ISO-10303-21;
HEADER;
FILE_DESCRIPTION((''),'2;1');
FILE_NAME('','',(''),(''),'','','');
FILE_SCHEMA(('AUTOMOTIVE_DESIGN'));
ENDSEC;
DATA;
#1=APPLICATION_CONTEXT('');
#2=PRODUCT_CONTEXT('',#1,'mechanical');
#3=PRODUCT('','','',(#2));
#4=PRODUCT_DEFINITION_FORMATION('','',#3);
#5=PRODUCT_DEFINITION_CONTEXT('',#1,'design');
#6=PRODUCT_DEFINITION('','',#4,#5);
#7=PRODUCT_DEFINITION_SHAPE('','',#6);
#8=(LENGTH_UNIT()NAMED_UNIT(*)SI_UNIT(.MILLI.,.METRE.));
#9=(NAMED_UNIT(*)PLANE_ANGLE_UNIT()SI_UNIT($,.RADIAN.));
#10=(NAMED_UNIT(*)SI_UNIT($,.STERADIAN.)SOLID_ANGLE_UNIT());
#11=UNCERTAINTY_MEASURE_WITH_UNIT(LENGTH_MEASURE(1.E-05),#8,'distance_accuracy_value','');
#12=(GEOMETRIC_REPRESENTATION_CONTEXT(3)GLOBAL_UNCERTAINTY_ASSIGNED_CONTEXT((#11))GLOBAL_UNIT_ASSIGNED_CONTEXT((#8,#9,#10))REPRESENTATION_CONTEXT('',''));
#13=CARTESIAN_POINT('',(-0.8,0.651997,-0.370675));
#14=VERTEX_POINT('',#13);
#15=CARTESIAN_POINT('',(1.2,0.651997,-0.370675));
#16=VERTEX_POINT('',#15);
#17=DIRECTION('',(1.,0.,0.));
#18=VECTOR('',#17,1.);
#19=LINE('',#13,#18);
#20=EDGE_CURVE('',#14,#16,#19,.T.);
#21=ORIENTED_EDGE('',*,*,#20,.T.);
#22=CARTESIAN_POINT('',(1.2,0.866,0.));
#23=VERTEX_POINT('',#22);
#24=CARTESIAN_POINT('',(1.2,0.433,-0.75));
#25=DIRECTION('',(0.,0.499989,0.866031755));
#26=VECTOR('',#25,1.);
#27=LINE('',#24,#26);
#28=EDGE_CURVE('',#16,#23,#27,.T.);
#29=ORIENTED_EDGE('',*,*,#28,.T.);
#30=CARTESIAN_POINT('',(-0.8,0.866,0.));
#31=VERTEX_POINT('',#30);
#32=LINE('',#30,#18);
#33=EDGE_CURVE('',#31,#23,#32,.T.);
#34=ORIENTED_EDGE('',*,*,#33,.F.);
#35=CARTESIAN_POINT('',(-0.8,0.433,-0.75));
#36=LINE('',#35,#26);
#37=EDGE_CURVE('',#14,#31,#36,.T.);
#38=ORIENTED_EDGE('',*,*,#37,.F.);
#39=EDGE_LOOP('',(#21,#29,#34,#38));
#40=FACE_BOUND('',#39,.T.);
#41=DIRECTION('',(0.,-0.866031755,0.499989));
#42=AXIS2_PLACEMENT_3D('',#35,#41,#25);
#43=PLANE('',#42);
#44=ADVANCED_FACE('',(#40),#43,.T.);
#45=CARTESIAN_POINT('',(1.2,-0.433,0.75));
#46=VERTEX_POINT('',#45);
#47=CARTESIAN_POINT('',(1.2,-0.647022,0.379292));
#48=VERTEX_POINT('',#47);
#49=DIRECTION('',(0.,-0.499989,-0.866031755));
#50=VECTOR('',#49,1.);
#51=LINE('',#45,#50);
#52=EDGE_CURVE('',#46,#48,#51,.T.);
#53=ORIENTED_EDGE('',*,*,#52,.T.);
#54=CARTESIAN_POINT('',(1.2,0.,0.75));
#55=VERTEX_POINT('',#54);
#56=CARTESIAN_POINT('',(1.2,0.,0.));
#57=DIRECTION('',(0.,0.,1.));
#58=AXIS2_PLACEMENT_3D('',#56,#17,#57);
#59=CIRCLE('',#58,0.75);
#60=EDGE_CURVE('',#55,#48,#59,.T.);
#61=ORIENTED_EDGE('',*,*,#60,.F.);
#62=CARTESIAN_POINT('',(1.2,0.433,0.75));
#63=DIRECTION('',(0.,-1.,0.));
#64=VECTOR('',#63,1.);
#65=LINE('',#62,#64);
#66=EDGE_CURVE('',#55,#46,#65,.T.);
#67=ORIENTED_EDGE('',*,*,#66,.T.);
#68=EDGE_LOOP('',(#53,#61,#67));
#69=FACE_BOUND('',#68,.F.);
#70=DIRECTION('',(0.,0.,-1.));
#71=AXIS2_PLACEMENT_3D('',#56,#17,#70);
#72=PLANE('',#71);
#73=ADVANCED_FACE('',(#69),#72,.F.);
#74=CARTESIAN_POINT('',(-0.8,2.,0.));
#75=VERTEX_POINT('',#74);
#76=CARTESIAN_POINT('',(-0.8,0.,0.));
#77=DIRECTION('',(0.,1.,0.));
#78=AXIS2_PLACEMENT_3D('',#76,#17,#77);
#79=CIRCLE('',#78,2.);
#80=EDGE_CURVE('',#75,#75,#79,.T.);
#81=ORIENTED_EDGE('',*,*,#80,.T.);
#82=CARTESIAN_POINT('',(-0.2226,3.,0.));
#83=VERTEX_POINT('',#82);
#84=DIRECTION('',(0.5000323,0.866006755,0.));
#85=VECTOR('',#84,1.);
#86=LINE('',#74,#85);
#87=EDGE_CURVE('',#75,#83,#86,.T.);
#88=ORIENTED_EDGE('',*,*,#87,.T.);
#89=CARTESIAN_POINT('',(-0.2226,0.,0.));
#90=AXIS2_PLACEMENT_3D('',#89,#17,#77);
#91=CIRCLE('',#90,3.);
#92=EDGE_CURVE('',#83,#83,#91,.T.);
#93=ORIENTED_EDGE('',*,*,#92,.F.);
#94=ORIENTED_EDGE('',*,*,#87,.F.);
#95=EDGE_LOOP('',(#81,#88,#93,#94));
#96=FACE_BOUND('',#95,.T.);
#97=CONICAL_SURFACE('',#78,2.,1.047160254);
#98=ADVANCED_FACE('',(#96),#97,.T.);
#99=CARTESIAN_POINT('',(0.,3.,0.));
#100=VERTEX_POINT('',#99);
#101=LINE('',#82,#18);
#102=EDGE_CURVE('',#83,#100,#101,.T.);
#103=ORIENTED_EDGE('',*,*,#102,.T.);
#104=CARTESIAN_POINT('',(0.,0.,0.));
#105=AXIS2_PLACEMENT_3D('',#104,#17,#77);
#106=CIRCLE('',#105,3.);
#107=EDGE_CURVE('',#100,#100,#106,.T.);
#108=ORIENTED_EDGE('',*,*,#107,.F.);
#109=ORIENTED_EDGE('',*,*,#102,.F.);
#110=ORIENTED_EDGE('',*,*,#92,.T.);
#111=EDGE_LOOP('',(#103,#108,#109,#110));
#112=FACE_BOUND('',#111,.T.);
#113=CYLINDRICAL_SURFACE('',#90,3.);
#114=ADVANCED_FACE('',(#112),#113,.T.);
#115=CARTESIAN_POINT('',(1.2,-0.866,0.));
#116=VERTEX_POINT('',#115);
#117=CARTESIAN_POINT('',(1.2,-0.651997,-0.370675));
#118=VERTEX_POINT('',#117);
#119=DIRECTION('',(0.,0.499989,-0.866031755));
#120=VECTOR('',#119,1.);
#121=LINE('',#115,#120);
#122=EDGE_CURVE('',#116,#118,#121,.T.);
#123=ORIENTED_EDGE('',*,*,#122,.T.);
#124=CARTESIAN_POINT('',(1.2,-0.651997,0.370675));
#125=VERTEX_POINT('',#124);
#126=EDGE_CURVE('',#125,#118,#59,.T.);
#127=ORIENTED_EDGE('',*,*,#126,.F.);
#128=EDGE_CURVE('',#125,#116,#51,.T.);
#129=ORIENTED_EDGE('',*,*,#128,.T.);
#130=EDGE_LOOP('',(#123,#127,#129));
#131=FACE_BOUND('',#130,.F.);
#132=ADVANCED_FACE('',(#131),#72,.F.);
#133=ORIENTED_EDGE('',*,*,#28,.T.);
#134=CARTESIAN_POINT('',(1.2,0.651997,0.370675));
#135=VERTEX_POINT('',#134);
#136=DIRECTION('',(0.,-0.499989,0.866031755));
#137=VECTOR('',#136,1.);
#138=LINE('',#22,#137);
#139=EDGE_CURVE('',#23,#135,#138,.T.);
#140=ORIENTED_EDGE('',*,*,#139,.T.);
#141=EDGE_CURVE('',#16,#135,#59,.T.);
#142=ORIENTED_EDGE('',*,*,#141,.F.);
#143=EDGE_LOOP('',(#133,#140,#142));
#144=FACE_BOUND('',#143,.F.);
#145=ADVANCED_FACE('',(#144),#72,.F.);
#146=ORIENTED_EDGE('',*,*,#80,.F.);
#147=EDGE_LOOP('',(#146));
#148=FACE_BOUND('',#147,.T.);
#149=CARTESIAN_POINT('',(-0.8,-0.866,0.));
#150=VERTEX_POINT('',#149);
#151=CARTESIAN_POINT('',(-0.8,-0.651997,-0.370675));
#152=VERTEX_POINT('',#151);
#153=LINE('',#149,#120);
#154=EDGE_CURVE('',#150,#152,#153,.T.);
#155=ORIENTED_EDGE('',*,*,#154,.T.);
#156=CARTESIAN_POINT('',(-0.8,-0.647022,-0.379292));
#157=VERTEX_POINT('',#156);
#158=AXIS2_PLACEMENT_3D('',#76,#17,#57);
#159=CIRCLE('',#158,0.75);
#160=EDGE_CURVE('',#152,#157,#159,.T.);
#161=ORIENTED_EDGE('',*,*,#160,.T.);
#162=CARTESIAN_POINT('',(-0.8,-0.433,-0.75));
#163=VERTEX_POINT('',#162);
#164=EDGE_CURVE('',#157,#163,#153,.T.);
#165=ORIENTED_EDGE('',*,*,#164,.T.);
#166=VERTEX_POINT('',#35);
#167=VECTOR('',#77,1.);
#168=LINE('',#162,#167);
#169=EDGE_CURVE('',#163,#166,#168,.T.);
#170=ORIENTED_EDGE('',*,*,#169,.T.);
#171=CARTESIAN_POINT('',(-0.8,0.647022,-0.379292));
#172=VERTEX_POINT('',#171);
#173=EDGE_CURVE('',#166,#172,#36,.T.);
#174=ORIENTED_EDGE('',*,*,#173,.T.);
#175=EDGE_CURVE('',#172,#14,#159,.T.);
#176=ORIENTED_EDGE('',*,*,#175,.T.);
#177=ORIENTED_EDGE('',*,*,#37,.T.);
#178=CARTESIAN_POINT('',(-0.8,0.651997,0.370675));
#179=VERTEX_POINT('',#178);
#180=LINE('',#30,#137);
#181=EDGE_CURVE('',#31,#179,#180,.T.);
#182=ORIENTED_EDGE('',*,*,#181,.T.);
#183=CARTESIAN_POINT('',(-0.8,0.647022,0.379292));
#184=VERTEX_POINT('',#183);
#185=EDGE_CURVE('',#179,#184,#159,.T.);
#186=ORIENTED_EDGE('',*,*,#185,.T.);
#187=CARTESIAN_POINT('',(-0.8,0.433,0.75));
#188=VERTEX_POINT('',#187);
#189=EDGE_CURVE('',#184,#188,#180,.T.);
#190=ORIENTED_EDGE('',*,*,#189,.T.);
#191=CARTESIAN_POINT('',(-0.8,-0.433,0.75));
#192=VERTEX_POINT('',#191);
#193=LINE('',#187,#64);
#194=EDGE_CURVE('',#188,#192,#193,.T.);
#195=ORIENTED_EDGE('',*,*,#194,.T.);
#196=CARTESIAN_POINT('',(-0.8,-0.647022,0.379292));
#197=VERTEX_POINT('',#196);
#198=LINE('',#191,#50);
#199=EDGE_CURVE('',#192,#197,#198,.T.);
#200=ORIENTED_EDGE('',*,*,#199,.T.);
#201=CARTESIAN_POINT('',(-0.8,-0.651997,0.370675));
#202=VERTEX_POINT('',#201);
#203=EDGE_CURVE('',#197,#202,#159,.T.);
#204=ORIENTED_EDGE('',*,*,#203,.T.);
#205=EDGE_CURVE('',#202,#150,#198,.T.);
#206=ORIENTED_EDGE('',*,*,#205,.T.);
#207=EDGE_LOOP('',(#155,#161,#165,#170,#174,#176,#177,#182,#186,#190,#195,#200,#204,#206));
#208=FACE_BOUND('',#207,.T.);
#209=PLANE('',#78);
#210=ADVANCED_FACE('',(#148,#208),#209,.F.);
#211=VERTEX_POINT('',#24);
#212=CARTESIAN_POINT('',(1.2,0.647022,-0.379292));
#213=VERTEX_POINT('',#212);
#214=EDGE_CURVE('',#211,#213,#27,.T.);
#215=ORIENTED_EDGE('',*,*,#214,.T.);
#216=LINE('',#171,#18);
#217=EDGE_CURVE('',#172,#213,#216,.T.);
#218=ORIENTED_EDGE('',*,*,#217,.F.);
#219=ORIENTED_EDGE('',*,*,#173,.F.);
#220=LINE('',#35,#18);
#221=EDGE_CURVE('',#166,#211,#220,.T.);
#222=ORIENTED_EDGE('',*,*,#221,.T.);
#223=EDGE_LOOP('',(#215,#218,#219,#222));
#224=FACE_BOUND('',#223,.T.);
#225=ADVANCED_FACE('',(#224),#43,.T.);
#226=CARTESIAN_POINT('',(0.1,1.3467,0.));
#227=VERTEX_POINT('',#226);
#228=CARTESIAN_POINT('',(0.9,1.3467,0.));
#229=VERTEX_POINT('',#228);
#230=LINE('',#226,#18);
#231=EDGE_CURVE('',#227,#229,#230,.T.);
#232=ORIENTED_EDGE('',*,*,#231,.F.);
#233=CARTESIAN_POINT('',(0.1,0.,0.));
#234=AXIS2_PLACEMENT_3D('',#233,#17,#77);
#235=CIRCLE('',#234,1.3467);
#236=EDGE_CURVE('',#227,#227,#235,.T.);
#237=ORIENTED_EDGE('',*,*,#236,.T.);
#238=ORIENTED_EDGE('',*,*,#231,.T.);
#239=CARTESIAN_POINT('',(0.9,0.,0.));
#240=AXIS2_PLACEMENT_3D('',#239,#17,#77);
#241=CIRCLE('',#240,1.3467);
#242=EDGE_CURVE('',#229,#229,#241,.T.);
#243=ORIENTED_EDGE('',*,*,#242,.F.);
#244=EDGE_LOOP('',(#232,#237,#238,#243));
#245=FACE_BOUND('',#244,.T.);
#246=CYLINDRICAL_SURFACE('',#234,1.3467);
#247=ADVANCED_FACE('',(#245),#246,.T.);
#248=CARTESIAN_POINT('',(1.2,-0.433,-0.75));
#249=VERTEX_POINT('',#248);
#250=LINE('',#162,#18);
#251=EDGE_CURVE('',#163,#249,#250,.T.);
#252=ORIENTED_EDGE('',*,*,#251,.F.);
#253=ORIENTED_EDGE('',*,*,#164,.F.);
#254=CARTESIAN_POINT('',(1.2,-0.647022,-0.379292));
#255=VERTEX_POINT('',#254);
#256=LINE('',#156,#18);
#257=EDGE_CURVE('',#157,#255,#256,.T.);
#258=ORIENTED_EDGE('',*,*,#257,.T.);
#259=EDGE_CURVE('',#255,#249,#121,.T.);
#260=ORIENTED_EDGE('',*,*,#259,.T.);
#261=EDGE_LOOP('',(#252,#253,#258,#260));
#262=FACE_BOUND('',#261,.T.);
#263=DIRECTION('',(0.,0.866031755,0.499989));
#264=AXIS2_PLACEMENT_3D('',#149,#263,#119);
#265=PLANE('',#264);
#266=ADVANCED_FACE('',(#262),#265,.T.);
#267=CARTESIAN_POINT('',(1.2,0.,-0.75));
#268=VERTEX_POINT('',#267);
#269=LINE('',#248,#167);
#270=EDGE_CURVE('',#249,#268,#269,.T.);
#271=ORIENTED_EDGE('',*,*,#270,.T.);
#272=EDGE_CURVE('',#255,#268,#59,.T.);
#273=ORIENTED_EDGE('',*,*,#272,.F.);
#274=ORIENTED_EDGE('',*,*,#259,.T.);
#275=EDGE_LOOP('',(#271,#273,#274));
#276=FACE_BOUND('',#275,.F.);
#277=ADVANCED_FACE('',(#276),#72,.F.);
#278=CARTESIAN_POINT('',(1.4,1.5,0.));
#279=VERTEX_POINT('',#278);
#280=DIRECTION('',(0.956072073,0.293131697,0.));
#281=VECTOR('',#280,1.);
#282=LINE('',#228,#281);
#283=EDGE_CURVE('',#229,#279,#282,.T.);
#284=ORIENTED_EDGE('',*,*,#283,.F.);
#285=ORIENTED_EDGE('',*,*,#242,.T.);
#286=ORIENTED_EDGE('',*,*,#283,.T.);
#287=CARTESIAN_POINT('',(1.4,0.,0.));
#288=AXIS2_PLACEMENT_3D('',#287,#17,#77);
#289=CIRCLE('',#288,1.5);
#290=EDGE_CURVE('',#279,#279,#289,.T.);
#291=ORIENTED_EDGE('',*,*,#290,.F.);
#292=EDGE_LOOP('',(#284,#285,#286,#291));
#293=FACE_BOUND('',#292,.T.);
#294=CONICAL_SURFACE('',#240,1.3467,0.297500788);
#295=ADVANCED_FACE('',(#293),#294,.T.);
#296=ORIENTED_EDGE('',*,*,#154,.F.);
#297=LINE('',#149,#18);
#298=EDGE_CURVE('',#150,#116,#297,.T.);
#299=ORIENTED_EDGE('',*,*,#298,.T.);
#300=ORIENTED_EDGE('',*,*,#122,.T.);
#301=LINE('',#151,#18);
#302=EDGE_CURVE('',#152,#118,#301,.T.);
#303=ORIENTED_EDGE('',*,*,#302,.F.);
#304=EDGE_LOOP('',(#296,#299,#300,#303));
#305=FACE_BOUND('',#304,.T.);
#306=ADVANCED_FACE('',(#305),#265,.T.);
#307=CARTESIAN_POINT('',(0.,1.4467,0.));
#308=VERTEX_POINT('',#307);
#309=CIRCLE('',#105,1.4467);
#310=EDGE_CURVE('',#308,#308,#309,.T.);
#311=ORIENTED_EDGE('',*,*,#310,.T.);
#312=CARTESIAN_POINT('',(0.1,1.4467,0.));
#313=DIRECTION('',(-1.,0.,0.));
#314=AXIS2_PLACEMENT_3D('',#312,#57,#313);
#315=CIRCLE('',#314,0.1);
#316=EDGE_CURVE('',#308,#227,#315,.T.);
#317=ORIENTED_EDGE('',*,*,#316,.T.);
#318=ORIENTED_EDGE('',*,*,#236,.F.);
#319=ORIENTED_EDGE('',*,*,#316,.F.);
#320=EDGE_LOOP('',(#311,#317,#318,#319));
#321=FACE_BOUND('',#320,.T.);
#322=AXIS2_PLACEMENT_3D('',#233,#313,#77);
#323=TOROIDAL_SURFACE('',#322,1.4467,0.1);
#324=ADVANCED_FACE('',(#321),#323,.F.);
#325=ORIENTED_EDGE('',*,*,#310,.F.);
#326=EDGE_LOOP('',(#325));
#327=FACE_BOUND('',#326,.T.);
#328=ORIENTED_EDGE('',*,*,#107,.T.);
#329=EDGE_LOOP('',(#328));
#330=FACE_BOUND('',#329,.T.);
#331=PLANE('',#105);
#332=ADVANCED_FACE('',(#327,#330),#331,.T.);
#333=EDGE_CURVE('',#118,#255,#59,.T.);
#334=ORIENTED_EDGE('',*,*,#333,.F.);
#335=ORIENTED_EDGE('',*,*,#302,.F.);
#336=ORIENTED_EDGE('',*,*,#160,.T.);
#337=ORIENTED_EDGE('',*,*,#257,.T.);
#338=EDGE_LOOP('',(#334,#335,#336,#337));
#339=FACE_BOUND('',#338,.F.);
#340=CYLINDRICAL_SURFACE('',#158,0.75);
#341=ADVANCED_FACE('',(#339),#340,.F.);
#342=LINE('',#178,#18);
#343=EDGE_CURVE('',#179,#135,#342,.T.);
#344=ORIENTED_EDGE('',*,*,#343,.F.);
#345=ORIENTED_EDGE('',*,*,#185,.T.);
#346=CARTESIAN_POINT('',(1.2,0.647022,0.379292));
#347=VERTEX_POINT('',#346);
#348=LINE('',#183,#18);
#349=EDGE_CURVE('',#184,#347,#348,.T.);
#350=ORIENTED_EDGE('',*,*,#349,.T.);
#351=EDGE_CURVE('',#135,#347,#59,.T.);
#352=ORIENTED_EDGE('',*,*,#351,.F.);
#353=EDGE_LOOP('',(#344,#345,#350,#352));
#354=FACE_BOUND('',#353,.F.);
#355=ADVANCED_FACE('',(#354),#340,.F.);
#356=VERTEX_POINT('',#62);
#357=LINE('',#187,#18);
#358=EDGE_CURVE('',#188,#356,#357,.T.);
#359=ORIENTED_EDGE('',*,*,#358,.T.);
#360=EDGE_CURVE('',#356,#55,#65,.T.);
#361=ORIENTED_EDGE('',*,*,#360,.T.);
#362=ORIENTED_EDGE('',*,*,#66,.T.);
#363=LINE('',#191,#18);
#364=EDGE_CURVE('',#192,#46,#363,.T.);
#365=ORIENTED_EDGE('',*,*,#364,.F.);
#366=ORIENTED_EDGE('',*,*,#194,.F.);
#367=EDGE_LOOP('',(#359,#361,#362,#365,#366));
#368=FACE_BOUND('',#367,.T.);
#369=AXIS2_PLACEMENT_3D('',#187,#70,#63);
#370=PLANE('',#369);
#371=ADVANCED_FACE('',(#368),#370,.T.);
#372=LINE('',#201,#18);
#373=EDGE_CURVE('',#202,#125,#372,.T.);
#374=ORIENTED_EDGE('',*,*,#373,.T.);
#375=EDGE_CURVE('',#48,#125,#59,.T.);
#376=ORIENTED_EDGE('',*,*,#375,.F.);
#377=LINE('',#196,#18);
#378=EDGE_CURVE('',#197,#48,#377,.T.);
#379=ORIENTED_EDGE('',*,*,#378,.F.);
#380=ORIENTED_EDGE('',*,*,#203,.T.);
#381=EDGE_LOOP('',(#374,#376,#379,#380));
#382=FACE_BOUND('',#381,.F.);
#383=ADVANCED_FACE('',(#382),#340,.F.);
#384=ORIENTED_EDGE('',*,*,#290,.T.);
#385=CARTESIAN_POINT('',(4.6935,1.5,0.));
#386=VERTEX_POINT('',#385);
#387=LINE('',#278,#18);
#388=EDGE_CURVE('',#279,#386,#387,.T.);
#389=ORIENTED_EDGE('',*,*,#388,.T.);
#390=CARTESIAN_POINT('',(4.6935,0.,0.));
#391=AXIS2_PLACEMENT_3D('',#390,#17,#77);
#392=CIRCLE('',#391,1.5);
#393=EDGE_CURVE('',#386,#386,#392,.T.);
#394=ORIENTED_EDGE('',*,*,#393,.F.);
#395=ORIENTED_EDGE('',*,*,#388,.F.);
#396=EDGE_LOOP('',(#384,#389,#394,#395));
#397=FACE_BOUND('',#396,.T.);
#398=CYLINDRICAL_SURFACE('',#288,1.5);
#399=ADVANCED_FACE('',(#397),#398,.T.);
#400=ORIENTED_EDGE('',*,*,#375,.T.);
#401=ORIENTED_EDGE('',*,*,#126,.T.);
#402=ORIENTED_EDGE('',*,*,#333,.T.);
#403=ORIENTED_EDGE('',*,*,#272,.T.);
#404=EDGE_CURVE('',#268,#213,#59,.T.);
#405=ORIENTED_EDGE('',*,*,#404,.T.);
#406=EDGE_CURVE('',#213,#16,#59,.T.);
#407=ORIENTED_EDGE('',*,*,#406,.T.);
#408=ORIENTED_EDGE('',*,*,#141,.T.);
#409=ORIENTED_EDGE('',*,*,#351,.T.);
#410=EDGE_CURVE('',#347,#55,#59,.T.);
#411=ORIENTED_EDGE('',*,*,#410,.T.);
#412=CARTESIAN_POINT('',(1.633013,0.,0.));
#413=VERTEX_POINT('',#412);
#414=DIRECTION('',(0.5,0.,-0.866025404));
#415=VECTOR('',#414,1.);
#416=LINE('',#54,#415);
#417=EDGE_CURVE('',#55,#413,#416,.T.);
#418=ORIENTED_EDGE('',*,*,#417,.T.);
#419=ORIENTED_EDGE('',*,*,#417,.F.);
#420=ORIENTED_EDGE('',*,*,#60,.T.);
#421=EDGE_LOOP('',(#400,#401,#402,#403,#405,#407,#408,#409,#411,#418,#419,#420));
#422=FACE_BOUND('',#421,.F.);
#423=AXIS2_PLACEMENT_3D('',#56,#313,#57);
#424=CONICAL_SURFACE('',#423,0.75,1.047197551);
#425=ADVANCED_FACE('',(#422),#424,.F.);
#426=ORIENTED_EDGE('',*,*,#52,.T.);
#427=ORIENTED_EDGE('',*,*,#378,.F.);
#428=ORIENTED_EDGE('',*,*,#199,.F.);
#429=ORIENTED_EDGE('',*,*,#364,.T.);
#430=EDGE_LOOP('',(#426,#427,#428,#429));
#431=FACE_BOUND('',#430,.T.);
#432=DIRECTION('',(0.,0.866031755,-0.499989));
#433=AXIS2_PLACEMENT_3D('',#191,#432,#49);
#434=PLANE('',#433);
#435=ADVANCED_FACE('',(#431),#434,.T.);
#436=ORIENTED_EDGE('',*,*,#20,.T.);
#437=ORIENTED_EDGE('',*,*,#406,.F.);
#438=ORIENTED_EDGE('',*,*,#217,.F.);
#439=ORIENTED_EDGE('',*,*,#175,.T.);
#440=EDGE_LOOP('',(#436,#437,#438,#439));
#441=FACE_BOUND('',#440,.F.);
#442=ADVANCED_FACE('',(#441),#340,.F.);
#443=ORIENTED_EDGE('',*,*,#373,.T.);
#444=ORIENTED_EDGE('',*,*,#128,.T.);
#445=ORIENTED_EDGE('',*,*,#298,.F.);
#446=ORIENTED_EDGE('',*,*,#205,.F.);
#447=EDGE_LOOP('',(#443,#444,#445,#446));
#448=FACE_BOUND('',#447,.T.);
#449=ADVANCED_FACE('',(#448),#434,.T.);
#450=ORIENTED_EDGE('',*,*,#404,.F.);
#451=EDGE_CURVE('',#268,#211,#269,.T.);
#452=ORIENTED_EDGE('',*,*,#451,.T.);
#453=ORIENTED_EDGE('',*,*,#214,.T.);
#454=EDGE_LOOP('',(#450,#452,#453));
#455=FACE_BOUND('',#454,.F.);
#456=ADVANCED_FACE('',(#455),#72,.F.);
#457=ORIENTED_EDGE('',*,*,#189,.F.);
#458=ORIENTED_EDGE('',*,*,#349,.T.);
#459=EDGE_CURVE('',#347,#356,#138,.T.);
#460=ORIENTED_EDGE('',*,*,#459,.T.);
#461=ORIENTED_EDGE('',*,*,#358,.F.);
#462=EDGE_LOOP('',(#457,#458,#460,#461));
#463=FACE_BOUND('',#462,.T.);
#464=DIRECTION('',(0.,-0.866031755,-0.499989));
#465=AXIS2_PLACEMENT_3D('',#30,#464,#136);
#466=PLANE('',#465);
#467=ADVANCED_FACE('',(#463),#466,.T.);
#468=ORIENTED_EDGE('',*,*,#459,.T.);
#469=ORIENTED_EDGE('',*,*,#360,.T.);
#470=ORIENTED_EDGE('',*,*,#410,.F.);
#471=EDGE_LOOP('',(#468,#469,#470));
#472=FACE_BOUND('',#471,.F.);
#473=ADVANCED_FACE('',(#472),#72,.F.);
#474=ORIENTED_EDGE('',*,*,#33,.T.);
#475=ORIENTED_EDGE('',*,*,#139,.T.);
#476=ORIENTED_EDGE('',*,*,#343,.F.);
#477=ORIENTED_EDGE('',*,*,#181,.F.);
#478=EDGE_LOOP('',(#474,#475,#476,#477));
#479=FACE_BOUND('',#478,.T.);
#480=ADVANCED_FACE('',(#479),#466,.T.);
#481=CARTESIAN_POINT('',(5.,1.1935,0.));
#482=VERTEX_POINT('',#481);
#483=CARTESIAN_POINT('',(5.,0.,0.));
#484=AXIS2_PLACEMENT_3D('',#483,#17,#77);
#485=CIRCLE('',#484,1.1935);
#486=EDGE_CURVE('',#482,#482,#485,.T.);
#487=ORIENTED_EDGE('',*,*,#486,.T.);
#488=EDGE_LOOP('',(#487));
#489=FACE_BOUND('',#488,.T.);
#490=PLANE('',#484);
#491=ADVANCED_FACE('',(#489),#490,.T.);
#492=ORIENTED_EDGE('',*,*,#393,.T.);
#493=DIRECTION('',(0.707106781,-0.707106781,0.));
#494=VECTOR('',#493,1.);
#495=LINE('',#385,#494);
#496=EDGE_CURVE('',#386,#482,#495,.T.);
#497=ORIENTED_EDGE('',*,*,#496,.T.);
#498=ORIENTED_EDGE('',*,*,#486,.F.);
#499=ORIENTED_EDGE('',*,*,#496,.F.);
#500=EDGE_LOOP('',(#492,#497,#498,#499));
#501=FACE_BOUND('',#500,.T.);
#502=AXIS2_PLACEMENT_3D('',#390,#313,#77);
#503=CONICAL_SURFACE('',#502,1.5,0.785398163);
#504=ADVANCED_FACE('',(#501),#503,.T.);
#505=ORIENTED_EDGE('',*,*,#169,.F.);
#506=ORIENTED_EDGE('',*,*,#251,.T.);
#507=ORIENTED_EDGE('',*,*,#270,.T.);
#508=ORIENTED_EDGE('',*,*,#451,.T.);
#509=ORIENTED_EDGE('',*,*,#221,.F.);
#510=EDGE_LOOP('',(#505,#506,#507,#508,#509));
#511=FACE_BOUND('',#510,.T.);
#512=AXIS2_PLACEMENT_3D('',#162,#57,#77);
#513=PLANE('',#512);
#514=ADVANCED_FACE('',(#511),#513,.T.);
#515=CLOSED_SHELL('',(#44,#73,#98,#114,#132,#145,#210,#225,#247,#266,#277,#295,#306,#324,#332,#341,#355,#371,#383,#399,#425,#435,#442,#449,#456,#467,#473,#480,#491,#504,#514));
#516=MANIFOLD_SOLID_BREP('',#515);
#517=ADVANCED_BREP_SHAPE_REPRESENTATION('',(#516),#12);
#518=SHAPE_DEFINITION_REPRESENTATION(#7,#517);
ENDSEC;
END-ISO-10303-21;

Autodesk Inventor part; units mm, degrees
ref_plane "YZ Plane" through (0, 0, 0) normal (1, 0, 0) x (0, 1, 0)
ref_plane "XZ Plane" through (0, 0, 0) normal (0, 1, 0) x (-1, 0, 0)
ref_plane "XY Plane" through (0, 0, 0) normal (0, 0, 1) x (1, 0, 0)
sketch "Sketch_1" plane through (0, 0, 0) normal (0, 0, 1) x (1, 0, 0)
  line L0 (5, 0) -> (-0.8, 0)
  line L1 (-0.8, 0) -> (-0.8, 2)
  line L2 (-0.8, 2) -> (-0.2226, 3)
  line L3 (-0.2226, 3) -> (0, 3)
  line L4 (0, 3) -> (0, 1.4467)
  arc A0 (0, 1.4467) -> (0.1, 1.3467) centre (0.1, 1.4467) ccw
  line L5 (0.1, 1.3467) -> (0.9, 1.3467)
  line L6 (0.9, 1.3467) -> (1.4, 1.5)
  line L7 (1.4, 1.5) -> (4.6935, 1.5)
  line L8 (4.6935, 1.5) -> (5, 1.1935)
  line L9 (5, 1.1935) -> (5, 0)
  line L10 (5, 0) -> (-0.8, 0)
revolve "Revolution1" add sketch "Sketch_1" angle 360 about axis through (5, 0, 0) along (1, 0, 0)
thread "Thread1" size "M3x0.5" class "6g" standard "ISO Metric profile" full length
sketch "Sketch2" plane through (-0.8, 0, 0) normal (-1, 0, 0) x (0, 0, 1)
  point P0 (0, 0)
hole "Hole1" at (-0.8, 0, 0) direction (1, 0, 0) diameter 1.5 depth 2 tip angle 120
sketch "Sketch_3" plane through (-0.8, 0, 0) normal (1, 0, 0) x (0, 0, -1)
  line L0 (-0.75, -0.433) -> (0, -0.866)
  line L1 (0, -0.866) -> (0.75, -0.433)
  line L2 (0.75, -0.433) -> (0.75, 0.433)
  line L3 (0.75, 0.433) -> (0, 0.866)
  line L4 (0, 0.866) -> (-0.75, 0.433)
  line L5 (-0.75, 0.433) -> (-0.75, -0.433)
extrude "Extrusion1" cut sketch "Sketch_3" along normal blind 2
properties part number "CBSTSR3-5"
